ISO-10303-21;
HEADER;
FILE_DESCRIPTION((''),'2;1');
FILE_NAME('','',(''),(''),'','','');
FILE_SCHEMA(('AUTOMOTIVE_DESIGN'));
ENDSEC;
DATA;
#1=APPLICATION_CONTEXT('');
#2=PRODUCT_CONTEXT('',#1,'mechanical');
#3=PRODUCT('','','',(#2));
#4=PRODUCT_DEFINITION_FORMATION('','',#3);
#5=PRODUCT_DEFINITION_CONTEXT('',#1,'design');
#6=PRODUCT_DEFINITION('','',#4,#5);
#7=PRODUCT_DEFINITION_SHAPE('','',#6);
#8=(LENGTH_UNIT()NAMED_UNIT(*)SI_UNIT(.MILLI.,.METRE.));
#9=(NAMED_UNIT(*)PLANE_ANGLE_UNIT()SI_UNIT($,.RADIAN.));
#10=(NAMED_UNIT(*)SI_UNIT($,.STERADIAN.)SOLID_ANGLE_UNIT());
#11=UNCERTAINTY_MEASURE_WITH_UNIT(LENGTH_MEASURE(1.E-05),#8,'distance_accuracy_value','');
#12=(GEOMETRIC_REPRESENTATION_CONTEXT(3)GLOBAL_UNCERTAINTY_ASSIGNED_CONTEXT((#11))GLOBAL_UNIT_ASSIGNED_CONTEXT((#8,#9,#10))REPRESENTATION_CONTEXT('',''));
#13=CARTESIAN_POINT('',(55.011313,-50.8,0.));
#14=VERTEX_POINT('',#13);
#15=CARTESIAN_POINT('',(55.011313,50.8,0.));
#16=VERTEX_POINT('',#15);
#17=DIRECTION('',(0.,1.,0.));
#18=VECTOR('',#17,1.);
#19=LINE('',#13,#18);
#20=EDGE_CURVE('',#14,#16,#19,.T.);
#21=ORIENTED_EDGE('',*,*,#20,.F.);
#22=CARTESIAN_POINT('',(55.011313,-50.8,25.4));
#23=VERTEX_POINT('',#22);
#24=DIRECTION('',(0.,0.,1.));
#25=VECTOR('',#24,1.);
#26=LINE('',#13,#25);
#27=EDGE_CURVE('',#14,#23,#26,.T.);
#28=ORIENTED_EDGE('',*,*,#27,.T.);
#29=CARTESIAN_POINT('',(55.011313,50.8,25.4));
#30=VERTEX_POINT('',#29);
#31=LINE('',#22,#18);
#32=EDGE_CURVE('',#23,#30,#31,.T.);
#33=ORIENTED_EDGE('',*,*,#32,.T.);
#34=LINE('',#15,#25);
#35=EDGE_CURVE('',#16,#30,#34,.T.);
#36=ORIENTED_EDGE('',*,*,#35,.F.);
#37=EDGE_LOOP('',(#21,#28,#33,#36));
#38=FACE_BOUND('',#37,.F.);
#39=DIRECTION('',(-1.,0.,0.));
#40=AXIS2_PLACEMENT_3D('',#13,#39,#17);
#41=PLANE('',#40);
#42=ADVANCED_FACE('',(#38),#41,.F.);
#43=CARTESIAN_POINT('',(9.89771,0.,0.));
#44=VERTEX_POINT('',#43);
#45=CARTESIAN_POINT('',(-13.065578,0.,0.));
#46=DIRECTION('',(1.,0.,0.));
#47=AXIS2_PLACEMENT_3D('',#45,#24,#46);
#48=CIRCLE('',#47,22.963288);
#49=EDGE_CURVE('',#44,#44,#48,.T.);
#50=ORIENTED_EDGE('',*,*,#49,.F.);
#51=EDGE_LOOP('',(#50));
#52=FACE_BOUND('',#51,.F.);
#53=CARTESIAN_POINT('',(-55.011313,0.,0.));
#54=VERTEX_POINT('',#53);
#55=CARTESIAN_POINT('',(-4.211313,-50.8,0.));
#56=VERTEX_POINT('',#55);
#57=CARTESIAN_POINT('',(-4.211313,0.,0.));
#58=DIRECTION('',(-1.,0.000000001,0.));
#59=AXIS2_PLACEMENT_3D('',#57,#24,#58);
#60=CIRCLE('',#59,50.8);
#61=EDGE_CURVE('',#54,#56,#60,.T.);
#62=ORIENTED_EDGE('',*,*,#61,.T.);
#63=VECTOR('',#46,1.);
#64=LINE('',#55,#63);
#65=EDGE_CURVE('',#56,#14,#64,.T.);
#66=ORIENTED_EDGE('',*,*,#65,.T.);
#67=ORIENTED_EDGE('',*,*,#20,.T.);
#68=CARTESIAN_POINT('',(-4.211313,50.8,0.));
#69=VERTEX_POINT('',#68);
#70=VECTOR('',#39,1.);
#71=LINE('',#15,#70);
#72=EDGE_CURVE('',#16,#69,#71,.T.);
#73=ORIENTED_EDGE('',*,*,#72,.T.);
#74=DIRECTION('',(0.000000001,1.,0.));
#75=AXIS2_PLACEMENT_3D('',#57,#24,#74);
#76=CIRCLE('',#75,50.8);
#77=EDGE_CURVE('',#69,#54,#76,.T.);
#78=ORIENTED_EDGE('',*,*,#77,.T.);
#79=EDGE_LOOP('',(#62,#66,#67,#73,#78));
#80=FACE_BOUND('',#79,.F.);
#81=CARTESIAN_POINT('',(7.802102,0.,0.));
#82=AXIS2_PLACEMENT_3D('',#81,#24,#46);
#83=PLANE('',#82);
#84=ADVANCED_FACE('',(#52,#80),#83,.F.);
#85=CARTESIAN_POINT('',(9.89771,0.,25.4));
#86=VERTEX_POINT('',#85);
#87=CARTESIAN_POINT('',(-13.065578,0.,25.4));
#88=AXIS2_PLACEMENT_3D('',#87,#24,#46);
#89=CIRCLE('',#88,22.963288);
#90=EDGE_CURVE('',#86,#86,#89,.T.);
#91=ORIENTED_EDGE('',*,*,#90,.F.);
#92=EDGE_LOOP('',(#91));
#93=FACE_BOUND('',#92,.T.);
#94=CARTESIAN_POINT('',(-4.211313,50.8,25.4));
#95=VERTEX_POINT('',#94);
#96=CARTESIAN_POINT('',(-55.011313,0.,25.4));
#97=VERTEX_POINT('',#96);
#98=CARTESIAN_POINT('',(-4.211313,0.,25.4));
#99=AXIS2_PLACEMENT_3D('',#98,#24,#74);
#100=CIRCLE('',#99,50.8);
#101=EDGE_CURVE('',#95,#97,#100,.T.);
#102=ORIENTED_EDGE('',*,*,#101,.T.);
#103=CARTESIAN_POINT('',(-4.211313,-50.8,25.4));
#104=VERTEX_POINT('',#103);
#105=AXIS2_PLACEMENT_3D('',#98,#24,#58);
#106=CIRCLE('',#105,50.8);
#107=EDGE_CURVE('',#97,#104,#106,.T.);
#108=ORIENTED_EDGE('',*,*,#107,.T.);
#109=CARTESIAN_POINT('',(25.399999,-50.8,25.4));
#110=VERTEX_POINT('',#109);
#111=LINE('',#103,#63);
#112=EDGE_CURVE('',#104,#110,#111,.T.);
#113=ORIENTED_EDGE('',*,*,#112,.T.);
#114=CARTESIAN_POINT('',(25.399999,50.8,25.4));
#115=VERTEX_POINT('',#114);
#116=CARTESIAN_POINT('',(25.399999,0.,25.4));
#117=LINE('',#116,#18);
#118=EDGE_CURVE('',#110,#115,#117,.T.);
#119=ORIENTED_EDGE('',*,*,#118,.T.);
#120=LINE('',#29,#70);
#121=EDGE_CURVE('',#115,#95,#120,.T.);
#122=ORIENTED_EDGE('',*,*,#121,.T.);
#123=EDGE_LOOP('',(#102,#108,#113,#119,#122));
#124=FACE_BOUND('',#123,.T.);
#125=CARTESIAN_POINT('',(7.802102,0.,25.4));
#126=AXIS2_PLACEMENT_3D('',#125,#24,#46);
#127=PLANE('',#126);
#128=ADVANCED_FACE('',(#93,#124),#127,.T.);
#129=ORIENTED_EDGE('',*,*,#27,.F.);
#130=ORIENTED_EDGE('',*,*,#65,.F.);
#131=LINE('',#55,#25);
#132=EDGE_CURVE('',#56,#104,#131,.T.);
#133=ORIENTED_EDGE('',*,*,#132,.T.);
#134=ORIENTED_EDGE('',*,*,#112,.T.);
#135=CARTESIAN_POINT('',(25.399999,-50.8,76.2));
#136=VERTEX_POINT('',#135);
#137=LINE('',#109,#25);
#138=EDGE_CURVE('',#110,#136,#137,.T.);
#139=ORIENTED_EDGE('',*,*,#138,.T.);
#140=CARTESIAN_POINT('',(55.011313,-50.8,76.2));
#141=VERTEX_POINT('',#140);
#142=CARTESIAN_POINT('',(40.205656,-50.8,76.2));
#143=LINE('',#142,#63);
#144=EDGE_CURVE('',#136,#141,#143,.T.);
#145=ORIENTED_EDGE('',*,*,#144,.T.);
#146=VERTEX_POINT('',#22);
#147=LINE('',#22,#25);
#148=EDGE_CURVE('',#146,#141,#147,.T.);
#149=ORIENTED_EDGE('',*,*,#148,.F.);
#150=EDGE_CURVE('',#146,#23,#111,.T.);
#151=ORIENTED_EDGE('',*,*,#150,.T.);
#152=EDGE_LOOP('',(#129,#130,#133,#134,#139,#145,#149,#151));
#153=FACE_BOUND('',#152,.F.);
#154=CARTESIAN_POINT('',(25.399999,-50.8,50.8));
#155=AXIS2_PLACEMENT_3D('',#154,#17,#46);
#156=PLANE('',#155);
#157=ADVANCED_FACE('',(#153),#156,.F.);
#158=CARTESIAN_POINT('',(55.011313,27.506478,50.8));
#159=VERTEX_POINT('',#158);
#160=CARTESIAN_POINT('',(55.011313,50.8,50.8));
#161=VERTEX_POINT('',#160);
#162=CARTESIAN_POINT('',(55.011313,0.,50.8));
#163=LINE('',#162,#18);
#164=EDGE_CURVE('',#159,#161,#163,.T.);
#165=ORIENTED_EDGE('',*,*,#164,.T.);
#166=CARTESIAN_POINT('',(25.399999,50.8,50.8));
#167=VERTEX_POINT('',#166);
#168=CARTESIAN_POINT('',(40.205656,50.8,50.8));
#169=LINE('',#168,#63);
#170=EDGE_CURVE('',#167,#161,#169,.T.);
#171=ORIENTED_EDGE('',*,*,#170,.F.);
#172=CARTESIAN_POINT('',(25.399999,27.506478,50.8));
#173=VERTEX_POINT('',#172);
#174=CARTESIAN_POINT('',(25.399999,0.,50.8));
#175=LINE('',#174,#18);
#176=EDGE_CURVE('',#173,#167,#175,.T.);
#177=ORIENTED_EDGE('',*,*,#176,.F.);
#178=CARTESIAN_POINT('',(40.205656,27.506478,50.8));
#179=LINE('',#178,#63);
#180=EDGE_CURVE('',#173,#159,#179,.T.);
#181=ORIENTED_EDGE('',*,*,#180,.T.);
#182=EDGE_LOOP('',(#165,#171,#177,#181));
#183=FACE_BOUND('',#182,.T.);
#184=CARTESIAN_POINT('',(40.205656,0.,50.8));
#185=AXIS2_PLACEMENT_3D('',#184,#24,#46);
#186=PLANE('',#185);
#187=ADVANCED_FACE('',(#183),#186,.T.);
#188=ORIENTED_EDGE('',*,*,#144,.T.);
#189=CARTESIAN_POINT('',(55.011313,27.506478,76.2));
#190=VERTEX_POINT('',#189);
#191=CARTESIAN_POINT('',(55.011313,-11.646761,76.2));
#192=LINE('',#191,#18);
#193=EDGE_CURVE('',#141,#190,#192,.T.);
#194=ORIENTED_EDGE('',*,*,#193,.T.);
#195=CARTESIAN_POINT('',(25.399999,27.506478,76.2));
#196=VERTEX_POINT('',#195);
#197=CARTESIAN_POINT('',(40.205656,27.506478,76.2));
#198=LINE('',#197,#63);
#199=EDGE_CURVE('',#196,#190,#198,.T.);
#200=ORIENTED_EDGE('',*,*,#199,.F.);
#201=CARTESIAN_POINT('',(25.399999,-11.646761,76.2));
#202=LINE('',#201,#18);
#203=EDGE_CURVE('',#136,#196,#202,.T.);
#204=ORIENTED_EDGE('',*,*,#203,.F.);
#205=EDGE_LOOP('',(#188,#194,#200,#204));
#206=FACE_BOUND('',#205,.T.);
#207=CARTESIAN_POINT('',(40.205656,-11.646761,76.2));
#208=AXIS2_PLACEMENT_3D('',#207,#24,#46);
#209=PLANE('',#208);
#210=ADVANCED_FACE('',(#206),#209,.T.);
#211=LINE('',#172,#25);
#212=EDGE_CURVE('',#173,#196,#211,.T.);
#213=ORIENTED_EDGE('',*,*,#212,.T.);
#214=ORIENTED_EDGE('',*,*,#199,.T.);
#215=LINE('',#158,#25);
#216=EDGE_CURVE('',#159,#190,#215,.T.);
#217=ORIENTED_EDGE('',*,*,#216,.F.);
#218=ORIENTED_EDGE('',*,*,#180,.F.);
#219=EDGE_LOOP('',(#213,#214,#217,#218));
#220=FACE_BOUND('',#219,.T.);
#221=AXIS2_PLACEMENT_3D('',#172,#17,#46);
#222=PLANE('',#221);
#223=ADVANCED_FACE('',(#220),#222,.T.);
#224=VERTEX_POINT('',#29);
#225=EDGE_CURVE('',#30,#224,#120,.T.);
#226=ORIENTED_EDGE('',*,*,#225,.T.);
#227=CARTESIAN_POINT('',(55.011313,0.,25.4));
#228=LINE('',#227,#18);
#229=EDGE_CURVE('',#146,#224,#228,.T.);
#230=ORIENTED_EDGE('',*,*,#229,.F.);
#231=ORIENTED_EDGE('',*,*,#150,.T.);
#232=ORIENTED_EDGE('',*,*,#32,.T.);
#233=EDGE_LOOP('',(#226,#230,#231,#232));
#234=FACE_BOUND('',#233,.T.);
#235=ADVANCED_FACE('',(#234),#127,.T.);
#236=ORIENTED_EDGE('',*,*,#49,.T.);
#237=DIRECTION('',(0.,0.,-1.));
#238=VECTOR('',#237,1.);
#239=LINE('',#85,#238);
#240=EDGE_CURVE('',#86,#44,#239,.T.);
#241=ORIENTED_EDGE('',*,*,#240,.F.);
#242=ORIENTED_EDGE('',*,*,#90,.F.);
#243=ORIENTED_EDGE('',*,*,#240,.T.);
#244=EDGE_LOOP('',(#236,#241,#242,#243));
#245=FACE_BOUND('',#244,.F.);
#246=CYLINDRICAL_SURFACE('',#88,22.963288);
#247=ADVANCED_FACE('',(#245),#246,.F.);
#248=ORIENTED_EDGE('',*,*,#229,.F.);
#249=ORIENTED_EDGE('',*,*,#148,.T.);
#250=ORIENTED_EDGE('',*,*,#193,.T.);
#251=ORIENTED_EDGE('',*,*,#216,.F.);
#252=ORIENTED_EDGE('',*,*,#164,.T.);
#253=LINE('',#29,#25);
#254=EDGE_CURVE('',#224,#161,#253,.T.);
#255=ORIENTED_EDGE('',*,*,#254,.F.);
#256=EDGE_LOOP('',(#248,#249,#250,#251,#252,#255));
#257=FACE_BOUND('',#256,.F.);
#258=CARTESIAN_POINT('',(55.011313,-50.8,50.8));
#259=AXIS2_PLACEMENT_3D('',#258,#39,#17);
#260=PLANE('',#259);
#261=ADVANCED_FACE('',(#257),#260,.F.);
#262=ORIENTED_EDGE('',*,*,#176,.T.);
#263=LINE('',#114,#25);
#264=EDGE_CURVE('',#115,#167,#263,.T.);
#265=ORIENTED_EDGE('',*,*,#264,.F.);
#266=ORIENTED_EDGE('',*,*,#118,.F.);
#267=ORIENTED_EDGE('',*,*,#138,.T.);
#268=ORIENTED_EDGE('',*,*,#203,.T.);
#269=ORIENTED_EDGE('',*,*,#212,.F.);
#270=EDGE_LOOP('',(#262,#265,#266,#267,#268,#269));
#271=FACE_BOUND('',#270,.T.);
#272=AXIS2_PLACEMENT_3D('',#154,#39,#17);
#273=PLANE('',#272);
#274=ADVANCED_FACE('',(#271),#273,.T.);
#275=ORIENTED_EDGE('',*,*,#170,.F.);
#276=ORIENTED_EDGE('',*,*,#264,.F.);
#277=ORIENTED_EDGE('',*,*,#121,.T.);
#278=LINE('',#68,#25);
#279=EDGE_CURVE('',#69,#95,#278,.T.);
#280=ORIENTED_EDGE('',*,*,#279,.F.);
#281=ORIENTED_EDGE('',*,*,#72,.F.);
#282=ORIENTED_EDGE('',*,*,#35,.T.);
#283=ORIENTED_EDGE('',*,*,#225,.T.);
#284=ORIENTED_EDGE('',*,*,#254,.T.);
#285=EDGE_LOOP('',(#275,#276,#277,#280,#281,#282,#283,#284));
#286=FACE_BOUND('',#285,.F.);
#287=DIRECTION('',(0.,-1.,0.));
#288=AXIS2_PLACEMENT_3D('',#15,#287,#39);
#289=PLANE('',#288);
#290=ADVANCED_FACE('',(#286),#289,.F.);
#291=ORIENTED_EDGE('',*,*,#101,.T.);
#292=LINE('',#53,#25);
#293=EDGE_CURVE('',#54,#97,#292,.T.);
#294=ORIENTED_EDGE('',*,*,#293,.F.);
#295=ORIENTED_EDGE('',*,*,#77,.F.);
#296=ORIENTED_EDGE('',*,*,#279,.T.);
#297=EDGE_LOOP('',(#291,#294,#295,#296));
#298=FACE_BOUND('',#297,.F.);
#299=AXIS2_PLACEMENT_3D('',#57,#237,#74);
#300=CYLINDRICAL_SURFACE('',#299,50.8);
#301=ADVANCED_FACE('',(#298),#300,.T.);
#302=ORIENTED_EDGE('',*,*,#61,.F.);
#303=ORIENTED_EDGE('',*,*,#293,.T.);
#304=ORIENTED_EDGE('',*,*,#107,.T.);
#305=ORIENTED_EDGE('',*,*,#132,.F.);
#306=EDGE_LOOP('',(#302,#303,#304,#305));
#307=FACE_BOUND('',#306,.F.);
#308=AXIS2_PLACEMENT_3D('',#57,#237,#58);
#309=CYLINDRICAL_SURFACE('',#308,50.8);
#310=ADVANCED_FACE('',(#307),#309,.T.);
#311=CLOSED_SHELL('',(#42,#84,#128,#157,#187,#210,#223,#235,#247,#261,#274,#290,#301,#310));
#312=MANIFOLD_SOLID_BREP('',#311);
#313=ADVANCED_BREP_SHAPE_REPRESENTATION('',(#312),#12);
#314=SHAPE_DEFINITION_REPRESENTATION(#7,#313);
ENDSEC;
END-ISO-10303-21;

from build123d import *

# Parameters (mm, degrees)
F1_DEPTH = 25.4
F2_R     = 22.963288
F3_DEPTH = 25.401
F4_W     = 29.611313
F4_H     = 101.6
F5_DEPTH = 25.4
F6_W     = 29.611313
F6_H     = 78.306478
F7_DEPTH = 25.4


with BuildPart() as f1:
    # F0 (on Top) → F1 (new body)
    with BuildSketch(Plane.XY):
        with BuildLine():
            Line((-4.211313, -50.8), (55.011313, -50.8))
            Line((55.011313, -50.8), (55.011313, 50.8))
            Line((55.011313, 50.8), (-4.211313, 50.8))
            ThreePointArc((-4.211313, 50.8), (-40.132338, 35.921024), (-55.011313, 0))
            ThreePointArc((-55.011313, 0), (-40.132338, -35.921024), (-4.211313, -50.8))
        make_face()
    extrude(amount=F1_DEPTH)

    # F2 (on face) → F3 (cut, through all)
    with BuildSketch(Plane.XY.offset(25.4)):
        with Locations((-13.065578, 0)):
            Circle(F2_R)
    extrude(amount=-F3_DEPTH, mode=Mode.SUBTRACT)

    # F4 (on face) → F5 (join)
    with BuildSketch(Plane.XY.offset(25.4)):
        with Locations((40.205656, 0)):
            Rectangle(F4_W, F4_H)
    extrude(amount=F5_DEPTH)

    # F6 (on face) → F7 (join)
    with BuildSketch(Plane.XY.offset(50.8)):
        with Locations((40.205656, -11.646761)):
            Rectangle(F6_W, F6_H)
    extrude(amount=F7_DEPTH)


solid = f1.part
